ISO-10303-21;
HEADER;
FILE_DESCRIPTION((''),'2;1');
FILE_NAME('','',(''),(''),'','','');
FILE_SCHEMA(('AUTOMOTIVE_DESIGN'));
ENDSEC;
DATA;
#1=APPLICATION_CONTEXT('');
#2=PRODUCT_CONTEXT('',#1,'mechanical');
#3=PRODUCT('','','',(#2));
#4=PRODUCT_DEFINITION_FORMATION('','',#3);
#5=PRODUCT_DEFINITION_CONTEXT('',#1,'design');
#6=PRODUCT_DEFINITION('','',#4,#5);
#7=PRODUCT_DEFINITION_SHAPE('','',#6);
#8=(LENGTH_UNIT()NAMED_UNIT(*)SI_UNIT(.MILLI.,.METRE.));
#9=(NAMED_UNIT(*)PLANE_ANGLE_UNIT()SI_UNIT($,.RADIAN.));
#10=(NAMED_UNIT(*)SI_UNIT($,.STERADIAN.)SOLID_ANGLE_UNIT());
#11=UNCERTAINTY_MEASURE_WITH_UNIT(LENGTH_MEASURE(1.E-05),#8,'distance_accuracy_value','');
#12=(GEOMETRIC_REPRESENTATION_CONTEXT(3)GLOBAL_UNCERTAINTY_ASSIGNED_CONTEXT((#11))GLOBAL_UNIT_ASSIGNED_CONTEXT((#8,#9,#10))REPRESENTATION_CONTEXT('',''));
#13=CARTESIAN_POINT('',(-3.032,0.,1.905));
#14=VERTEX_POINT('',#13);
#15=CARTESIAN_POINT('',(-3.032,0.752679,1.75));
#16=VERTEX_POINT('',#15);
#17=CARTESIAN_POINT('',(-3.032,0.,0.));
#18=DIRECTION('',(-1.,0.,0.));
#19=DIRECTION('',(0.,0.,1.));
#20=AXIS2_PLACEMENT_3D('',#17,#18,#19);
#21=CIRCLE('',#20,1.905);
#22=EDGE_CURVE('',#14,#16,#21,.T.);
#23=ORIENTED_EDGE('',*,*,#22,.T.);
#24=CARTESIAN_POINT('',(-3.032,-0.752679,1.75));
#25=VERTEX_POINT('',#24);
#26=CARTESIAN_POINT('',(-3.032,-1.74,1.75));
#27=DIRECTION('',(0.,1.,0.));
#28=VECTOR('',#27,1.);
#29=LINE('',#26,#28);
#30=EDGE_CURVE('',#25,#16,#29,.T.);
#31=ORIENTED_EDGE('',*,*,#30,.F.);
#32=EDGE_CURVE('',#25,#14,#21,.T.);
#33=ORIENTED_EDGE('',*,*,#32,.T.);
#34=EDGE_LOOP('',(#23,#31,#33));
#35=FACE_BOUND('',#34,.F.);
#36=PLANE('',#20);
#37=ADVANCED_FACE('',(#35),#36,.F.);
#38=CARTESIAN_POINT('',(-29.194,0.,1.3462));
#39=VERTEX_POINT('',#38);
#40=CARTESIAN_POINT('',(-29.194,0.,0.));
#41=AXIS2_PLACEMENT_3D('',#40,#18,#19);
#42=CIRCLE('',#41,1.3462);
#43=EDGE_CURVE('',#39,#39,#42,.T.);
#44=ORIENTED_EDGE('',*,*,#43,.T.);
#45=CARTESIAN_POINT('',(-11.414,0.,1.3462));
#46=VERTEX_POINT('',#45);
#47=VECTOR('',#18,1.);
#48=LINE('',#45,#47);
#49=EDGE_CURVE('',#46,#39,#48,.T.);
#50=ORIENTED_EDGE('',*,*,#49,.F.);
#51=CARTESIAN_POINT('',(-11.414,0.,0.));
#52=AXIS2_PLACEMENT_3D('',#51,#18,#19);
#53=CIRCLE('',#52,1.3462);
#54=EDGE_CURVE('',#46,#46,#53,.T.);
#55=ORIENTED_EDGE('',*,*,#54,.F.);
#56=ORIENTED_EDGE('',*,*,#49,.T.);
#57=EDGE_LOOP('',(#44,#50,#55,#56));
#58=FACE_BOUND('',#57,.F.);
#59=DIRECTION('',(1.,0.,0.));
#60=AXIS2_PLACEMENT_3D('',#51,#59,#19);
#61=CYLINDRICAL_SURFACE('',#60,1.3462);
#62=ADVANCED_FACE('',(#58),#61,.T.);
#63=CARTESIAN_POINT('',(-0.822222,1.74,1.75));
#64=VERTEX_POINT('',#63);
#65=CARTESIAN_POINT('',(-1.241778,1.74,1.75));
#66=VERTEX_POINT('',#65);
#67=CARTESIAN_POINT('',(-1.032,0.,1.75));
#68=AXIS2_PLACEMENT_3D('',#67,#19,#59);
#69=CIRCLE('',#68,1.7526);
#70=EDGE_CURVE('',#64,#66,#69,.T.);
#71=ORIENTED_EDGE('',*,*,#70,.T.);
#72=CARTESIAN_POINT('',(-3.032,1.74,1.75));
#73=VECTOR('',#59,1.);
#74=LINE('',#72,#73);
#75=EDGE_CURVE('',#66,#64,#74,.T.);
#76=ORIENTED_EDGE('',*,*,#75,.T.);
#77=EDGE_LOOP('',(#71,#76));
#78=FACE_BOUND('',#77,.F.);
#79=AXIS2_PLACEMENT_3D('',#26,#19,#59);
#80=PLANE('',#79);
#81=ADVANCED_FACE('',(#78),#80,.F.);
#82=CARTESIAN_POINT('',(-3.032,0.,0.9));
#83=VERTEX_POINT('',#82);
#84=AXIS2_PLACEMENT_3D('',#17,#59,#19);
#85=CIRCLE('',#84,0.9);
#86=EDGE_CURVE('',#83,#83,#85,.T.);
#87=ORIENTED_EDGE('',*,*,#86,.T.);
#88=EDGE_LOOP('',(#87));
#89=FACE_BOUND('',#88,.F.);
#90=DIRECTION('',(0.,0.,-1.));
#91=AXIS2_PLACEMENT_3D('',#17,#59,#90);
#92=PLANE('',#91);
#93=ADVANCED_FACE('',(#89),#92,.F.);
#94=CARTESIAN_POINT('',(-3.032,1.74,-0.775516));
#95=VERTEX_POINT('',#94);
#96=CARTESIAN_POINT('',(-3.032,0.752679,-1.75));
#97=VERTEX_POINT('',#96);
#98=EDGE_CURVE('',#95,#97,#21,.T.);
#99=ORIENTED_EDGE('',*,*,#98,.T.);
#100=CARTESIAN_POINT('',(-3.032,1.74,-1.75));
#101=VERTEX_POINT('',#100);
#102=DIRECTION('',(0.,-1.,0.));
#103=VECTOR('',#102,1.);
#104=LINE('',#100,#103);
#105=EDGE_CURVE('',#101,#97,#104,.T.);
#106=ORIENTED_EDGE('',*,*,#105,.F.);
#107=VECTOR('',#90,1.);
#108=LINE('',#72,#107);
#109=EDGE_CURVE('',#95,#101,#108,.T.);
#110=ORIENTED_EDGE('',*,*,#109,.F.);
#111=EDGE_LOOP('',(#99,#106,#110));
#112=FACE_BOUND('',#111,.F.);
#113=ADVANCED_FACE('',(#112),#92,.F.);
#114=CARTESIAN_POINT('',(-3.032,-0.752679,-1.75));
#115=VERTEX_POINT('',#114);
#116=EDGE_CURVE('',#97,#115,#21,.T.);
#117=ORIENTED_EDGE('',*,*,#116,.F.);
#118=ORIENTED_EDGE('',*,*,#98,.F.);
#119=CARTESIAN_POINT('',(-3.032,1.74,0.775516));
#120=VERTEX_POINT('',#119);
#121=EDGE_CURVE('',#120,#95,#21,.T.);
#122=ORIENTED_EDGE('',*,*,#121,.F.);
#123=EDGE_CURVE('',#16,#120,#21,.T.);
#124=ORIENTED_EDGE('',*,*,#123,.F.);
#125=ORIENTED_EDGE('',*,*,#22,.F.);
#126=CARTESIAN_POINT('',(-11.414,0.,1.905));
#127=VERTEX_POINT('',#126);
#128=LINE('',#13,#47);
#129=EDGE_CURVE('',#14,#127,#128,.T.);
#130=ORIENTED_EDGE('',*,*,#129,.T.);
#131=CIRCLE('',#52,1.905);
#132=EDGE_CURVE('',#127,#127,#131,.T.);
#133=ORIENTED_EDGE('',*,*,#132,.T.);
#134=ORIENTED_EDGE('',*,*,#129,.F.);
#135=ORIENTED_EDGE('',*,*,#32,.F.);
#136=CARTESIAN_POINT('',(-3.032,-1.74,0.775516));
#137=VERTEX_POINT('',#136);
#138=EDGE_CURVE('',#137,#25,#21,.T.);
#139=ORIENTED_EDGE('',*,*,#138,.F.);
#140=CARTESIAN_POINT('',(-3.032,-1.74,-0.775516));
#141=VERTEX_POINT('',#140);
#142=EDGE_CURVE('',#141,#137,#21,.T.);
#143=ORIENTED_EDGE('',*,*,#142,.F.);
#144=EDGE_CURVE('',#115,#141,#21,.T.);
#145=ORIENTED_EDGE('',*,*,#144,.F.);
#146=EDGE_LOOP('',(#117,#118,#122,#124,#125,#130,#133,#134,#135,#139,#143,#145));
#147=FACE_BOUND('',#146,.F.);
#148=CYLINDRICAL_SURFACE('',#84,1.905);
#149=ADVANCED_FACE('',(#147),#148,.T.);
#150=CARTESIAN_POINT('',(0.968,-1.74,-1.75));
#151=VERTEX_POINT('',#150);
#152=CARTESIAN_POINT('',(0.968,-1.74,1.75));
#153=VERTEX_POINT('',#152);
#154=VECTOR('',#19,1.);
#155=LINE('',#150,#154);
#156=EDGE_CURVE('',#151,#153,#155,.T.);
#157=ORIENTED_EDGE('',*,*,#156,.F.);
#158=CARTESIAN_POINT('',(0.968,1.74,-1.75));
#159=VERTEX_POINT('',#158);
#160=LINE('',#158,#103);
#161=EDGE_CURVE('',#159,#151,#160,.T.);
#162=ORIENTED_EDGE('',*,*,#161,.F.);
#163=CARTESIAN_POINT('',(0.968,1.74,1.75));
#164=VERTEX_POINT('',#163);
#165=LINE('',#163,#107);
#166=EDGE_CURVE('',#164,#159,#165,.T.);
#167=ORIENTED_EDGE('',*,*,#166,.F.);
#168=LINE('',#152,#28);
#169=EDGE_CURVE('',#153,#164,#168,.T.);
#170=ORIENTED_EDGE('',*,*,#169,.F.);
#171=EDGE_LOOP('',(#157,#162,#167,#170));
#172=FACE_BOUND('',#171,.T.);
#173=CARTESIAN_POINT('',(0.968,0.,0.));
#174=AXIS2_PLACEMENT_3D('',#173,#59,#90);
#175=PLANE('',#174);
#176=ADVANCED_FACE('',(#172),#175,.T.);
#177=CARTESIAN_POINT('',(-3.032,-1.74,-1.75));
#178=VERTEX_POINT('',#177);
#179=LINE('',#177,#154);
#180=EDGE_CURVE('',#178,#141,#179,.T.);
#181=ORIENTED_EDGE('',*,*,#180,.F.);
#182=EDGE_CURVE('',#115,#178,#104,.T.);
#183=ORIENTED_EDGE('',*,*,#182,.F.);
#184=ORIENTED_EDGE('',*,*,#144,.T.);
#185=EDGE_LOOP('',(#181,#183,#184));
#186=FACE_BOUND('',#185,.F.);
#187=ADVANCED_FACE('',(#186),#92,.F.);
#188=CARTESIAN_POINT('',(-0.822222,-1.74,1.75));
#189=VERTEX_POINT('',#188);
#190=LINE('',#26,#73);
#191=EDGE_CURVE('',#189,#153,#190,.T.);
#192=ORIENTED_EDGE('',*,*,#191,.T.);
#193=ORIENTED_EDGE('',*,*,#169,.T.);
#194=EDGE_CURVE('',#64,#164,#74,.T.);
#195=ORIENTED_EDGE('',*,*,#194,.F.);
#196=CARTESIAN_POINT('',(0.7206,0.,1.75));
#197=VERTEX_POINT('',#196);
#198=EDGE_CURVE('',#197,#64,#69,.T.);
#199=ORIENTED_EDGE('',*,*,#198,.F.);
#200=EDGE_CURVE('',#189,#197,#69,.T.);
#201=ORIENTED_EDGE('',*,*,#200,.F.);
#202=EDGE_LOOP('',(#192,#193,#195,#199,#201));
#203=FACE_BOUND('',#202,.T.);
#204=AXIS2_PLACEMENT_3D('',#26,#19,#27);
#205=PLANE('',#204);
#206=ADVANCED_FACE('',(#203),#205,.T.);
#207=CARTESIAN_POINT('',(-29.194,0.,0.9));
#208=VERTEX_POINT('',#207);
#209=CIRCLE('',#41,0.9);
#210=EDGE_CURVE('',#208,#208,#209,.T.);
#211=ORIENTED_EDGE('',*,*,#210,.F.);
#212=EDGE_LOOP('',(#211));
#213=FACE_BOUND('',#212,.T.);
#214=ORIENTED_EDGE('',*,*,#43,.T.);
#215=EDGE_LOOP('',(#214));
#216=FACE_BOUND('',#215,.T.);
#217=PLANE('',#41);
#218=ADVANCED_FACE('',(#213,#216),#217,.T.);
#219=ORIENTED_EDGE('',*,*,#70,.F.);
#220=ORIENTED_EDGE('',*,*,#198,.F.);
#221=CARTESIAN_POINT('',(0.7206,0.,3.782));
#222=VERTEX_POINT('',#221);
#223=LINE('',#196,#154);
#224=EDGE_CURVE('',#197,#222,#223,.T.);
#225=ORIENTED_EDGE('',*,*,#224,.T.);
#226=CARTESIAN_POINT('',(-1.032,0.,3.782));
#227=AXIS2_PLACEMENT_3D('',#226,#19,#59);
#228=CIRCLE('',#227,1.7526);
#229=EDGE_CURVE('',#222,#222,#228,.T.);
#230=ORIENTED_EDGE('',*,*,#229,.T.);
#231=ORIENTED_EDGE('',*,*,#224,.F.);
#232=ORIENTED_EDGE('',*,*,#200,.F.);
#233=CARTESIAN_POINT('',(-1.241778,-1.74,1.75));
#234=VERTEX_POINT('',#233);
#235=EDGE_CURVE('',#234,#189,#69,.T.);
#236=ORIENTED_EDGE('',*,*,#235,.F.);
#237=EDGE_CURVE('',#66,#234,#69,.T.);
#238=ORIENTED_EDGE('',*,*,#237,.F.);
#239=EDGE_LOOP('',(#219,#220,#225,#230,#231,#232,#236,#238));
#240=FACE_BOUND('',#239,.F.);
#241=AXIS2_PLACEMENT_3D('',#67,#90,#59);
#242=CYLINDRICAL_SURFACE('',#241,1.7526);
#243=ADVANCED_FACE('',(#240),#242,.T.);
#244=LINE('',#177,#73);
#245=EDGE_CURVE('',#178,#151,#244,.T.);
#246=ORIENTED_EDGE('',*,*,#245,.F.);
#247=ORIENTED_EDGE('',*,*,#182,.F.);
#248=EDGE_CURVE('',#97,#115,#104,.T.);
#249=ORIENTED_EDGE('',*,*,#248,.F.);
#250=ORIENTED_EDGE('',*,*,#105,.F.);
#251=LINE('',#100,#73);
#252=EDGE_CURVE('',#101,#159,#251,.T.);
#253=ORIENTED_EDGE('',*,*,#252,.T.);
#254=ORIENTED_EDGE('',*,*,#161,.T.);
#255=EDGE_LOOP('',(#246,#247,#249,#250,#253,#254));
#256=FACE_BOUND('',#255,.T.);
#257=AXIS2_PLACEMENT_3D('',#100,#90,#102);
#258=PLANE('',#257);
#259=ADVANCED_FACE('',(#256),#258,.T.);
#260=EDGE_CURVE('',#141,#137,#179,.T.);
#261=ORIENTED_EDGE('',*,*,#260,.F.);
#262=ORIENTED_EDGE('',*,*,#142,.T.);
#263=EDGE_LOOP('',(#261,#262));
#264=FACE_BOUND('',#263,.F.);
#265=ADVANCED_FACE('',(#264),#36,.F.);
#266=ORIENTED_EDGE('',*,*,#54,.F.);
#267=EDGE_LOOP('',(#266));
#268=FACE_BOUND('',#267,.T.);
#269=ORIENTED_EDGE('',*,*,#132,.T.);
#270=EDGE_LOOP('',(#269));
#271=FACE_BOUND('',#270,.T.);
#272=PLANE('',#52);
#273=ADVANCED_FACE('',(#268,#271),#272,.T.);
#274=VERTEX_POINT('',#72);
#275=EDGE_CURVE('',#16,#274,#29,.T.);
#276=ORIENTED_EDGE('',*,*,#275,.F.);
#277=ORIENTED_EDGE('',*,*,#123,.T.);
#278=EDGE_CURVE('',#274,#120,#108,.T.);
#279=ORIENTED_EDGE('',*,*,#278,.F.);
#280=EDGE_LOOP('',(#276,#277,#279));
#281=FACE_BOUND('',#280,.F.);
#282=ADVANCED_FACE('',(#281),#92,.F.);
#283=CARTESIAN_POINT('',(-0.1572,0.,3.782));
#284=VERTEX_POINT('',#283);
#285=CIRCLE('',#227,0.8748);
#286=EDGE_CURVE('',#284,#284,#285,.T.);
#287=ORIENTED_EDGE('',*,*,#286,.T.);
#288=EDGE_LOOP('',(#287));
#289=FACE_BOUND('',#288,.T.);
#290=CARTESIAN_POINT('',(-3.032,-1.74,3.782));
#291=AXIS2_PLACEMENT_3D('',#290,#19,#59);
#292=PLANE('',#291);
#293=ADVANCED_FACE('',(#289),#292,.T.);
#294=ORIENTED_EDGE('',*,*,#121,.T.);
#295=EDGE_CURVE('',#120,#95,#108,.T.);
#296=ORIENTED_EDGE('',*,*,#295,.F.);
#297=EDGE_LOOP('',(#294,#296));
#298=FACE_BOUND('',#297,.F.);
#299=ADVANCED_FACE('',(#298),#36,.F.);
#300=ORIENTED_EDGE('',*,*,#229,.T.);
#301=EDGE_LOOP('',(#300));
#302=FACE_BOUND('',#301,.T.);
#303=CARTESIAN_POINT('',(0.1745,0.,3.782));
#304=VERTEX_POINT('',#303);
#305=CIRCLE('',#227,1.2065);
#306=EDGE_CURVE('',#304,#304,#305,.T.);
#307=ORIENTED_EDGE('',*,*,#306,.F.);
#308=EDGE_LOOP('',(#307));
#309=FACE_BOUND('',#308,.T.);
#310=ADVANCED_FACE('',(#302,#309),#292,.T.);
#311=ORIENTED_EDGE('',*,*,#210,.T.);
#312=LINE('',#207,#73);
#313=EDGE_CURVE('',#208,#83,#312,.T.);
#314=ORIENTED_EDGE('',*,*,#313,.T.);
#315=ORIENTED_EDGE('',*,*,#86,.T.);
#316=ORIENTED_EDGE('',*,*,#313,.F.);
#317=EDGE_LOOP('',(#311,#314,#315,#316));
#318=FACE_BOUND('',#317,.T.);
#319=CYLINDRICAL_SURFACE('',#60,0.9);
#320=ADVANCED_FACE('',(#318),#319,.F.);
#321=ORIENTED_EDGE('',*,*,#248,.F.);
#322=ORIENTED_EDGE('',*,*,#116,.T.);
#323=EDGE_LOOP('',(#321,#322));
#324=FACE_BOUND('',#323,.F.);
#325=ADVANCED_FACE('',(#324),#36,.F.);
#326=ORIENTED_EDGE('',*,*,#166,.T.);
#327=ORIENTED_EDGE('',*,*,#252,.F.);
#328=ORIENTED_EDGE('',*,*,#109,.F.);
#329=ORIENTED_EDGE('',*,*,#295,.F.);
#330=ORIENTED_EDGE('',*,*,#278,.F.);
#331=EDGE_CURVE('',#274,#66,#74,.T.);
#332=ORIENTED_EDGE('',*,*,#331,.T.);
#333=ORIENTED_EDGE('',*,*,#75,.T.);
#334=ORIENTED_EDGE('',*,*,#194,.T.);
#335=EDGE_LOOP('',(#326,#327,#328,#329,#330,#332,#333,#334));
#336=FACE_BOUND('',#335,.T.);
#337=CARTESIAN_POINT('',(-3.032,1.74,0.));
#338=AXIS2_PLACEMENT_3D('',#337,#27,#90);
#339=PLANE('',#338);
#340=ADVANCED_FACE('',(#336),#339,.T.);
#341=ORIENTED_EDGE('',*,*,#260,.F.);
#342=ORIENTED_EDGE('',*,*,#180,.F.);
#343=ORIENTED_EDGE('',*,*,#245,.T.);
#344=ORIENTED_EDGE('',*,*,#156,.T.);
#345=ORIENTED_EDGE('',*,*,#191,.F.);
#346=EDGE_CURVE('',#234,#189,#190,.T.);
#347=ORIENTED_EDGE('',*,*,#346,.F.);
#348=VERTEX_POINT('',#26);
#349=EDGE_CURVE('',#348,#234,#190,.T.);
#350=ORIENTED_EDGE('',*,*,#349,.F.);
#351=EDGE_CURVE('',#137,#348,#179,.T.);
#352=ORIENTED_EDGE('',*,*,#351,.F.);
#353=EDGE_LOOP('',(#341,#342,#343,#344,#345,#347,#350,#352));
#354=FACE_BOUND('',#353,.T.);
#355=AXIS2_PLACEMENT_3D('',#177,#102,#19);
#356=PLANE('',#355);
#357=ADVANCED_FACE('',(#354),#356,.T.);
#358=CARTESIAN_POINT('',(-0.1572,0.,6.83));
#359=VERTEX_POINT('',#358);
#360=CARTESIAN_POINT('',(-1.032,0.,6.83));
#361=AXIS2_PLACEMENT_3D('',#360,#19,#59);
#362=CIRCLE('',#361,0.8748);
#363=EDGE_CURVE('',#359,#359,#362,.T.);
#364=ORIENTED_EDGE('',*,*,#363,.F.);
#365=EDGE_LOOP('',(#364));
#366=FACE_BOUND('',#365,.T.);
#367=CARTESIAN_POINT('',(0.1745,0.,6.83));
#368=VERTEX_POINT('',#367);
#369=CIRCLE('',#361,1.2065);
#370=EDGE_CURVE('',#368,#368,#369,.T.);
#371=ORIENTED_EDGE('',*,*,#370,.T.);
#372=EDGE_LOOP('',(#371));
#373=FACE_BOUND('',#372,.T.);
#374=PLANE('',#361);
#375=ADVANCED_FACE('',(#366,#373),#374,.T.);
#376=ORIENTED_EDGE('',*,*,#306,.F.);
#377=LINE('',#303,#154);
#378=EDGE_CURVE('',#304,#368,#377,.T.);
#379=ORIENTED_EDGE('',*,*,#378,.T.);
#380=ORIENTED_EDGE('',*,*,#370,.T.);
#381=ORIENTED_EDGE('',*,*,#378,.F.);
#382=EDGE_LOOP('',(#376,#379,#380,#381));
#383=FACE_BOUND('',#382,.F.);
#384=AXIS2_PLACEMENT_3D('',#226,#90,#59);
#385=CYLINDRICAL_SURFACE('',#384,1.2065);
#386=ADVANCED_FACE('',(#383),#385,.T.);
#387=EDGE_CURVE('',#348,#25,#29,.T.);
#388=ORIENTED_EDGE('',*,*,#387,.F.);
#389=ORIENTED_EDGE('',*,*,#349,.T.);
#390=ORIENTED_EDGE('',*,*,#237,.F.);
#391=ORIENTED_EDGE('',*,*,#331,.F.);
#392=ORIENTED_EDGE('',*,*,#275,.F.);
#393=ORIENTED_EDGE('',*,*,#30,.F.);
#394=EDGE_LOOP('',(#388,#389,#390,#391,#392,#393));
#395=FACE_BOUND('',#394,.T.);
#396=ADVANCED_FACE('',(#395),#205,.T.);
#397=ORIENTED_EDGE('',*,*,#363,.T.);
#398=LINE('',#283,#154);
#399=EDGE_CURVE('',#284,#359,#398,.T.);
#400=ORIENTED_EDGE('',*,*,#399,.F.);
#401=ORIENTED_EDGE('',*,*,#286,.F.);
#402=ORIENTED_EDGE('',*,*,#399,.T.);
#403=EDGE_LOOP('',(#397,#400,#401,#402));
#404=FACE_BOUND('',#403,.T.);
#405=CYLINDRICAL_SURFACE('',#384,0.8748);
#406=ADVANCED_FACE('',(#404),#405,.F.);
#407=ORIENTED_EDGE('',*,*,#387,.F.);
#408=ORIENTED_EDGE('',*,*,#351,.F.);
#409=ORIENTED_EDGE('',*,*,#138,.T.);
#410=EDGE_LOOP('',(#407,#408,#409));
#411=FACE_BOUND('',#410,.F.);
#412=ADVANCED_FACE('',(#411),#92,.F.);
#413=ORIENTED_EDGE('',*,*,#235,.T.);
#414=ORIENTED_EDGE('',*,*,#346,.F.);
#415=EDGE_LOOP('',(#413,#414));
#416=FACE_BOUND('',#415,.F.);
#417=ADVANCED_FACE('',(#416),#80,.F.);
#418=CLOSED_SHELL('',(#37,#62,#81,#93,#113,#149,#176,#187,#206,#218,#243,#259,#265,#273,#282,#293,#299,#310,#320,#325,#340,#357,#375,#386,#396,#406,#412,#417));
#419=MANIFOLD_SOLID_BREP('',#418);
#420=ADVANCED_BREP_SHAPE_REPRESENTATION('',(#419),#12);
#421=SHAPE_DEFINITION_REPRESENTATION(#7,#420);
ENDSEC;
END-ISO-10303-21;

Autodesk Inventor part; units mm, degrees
ref_plane "XZ Plane" through (0, 0, 0) normal (0, 1, 0) x (-1, 0, 0)
sketch "Sketch2" plane through (0, 0, 0) normal (0, 1, 0) x (-1, 0, 0)
  line L0 (0, 0) -> (-5, 0)
  line L1 (-5, 0) -> (-10, 1.6)
  line L2 (-10, 1.6) -> (-15, 1.6)
  dimension "d0" = 1.6
  dimension "d1" = 5
  dimension "d2" = 5
  dimension "d3" = 5
sketch "Sketch3" plane through (0, 0, 0) normal (1, 0, 0) x (0, 1, 0)
  circle A0 centre (0, 0) radius 0.9
  dimension "d4" = 1.8
sweep "Sweep1" [suppressed]
ref_plane "Work Plane1" through (0, 0, 1.6) normal (0, 0, 1) x (1, 0, 0)
sketch "Sketch4" plane through (0, 0, 1.6) normal (0, 0, 1) x (1, 0, 0)
  line L0 (25, -15) -> (25, -66.3933)
  line L1 (0, 0) -> (10, 0)
  arc A0 (25, -15) -> (10, 0) centre (10, -15) ccw
  dimension "d33" = 15
  dimension "d34" = 25
  dimension "d35" = 51.3933
ref_plane "Work Plane2" through (15, 0, 0) normal (1, 0, 0) x (0, 1, 0)
sketch "Sketch5" plane through (15, 0, 0) normal (1, 0, 0) x (0, 1, 0)
  circle A0 centre (0, 1.6) radius 0.9
  point P0 (0, 0)
  dimension "d16" = 1.6
  dimension "d17" = 1.8
sweep "Sweep2" [suppressed]
sketch "Sketch7" plane through (0, 0, 0) normal (1, 0, 0) x (0, 1, 0)
  circle A0 centre (0, 0) radius 0.9
  circle A1 centre (0, 0) radius 1.2065
  dimension "d21" = 2.413
extrude "true_tip" add sketch "Sketch7" against normal blind 1
sketch "Sketch8" plane through (-1, 0, 0) normal (-1, 0, 0) x (0, 0, 1)
  circle A0 centre (0, 0) radius 0.9 projected
  circle A1 centre (0, 0) radius 1.2065 projected
  circle A2 centre (0, 0) radius 1
  dimension "d24" = 2
extrude "shoulder_tip" add sketch "Sketch8" along normal blind 2.032 contours A2
sketch "Sketch9" plane through (-3.032, 0, 0) normal (-1, 0, 0) x (0, 0, 1)
  circle A0 centre (0, 0) radius 0.9 projected
  circle A1 centre (0, 0) radius 1 projected
  circle A2 centre (0, 0) radius 1.905
  dimension "d27" = 3.81
extrude "thick" add sketch "Sketch9" along normal blind 8.382 contours A1 | A2
sketch "Sketch10" plane through (-11.414, 0, 0) normal (-1, 0, 0) x (0, 0, 1)
  circle A0 centre (0, 0) radius 0.9 projected
  circle A1 centre (0, 0) radius 1.905 projected
  circle A2 centre (0, 0) radius 1.3462
  dimension "d30" = 2.6924
extrude "thin" add sketch "Sketch10" along normal blind 17.78 contours A2
sketch "Sketch11" plane through (-3.032, 0, 0) normal (1, 0, 0) x (0, 0, -1)
  circle A0 centre (0, 0) radius 1 projected
  line L0 (-1.75, 1.74) -> (1.75, 1.74)
  line L1 (1.75, 1.74) -> (1.75, -1.74)
  line L2 (1.75, -1.74) -> (-1.75, -1.74)
  line L3 (-1.75, -1.74) -> (-1.75, 1.74)
  line L4 (0, 0) -> (1.75, 0)
  line L5 (0, 0) -> (0, 1.74)
  dimension "d36" = 3.48
  dimension "d37" = 3.5
extrude "right_angle" add sketch "Sketch11" along normal blind 4
sketch "Sketch12" plane through (-3.032, -1.74, 1.75) normal (0, 0, 1) x (1, 0, 0)
  line L0 (0, 0) -> (4, 3.48) construction
  line L1 (0, 3.48) -> (4, 0) construction
  circle A0 centre (2, 1.74) radius 1.7526
  point P0 (3.032, 1.74)
  dimension "d40" = 3.5052
extrude "Extrusion6" add sketch "Sketch12" along normal blind 2.032
sketch "Sketch13" plane through (-1.032, 0, 3.782) normal (0, 0, 1) x (1, 0, 0)
  circle A0 centre (0, 0) radius 1.7526 projected
  circle A1 centre (0, 0) radius 1.2065
  circle A2 centre (0, 0) radius 0.8748
  point P0 (1.032, 0)
  dimension "d43" = 2.413
extrude "Extrusion7" add sketch "Sketch13" along normal blind 3.048 contours A1
properties part number "mmcx_ra_coax_tip"
